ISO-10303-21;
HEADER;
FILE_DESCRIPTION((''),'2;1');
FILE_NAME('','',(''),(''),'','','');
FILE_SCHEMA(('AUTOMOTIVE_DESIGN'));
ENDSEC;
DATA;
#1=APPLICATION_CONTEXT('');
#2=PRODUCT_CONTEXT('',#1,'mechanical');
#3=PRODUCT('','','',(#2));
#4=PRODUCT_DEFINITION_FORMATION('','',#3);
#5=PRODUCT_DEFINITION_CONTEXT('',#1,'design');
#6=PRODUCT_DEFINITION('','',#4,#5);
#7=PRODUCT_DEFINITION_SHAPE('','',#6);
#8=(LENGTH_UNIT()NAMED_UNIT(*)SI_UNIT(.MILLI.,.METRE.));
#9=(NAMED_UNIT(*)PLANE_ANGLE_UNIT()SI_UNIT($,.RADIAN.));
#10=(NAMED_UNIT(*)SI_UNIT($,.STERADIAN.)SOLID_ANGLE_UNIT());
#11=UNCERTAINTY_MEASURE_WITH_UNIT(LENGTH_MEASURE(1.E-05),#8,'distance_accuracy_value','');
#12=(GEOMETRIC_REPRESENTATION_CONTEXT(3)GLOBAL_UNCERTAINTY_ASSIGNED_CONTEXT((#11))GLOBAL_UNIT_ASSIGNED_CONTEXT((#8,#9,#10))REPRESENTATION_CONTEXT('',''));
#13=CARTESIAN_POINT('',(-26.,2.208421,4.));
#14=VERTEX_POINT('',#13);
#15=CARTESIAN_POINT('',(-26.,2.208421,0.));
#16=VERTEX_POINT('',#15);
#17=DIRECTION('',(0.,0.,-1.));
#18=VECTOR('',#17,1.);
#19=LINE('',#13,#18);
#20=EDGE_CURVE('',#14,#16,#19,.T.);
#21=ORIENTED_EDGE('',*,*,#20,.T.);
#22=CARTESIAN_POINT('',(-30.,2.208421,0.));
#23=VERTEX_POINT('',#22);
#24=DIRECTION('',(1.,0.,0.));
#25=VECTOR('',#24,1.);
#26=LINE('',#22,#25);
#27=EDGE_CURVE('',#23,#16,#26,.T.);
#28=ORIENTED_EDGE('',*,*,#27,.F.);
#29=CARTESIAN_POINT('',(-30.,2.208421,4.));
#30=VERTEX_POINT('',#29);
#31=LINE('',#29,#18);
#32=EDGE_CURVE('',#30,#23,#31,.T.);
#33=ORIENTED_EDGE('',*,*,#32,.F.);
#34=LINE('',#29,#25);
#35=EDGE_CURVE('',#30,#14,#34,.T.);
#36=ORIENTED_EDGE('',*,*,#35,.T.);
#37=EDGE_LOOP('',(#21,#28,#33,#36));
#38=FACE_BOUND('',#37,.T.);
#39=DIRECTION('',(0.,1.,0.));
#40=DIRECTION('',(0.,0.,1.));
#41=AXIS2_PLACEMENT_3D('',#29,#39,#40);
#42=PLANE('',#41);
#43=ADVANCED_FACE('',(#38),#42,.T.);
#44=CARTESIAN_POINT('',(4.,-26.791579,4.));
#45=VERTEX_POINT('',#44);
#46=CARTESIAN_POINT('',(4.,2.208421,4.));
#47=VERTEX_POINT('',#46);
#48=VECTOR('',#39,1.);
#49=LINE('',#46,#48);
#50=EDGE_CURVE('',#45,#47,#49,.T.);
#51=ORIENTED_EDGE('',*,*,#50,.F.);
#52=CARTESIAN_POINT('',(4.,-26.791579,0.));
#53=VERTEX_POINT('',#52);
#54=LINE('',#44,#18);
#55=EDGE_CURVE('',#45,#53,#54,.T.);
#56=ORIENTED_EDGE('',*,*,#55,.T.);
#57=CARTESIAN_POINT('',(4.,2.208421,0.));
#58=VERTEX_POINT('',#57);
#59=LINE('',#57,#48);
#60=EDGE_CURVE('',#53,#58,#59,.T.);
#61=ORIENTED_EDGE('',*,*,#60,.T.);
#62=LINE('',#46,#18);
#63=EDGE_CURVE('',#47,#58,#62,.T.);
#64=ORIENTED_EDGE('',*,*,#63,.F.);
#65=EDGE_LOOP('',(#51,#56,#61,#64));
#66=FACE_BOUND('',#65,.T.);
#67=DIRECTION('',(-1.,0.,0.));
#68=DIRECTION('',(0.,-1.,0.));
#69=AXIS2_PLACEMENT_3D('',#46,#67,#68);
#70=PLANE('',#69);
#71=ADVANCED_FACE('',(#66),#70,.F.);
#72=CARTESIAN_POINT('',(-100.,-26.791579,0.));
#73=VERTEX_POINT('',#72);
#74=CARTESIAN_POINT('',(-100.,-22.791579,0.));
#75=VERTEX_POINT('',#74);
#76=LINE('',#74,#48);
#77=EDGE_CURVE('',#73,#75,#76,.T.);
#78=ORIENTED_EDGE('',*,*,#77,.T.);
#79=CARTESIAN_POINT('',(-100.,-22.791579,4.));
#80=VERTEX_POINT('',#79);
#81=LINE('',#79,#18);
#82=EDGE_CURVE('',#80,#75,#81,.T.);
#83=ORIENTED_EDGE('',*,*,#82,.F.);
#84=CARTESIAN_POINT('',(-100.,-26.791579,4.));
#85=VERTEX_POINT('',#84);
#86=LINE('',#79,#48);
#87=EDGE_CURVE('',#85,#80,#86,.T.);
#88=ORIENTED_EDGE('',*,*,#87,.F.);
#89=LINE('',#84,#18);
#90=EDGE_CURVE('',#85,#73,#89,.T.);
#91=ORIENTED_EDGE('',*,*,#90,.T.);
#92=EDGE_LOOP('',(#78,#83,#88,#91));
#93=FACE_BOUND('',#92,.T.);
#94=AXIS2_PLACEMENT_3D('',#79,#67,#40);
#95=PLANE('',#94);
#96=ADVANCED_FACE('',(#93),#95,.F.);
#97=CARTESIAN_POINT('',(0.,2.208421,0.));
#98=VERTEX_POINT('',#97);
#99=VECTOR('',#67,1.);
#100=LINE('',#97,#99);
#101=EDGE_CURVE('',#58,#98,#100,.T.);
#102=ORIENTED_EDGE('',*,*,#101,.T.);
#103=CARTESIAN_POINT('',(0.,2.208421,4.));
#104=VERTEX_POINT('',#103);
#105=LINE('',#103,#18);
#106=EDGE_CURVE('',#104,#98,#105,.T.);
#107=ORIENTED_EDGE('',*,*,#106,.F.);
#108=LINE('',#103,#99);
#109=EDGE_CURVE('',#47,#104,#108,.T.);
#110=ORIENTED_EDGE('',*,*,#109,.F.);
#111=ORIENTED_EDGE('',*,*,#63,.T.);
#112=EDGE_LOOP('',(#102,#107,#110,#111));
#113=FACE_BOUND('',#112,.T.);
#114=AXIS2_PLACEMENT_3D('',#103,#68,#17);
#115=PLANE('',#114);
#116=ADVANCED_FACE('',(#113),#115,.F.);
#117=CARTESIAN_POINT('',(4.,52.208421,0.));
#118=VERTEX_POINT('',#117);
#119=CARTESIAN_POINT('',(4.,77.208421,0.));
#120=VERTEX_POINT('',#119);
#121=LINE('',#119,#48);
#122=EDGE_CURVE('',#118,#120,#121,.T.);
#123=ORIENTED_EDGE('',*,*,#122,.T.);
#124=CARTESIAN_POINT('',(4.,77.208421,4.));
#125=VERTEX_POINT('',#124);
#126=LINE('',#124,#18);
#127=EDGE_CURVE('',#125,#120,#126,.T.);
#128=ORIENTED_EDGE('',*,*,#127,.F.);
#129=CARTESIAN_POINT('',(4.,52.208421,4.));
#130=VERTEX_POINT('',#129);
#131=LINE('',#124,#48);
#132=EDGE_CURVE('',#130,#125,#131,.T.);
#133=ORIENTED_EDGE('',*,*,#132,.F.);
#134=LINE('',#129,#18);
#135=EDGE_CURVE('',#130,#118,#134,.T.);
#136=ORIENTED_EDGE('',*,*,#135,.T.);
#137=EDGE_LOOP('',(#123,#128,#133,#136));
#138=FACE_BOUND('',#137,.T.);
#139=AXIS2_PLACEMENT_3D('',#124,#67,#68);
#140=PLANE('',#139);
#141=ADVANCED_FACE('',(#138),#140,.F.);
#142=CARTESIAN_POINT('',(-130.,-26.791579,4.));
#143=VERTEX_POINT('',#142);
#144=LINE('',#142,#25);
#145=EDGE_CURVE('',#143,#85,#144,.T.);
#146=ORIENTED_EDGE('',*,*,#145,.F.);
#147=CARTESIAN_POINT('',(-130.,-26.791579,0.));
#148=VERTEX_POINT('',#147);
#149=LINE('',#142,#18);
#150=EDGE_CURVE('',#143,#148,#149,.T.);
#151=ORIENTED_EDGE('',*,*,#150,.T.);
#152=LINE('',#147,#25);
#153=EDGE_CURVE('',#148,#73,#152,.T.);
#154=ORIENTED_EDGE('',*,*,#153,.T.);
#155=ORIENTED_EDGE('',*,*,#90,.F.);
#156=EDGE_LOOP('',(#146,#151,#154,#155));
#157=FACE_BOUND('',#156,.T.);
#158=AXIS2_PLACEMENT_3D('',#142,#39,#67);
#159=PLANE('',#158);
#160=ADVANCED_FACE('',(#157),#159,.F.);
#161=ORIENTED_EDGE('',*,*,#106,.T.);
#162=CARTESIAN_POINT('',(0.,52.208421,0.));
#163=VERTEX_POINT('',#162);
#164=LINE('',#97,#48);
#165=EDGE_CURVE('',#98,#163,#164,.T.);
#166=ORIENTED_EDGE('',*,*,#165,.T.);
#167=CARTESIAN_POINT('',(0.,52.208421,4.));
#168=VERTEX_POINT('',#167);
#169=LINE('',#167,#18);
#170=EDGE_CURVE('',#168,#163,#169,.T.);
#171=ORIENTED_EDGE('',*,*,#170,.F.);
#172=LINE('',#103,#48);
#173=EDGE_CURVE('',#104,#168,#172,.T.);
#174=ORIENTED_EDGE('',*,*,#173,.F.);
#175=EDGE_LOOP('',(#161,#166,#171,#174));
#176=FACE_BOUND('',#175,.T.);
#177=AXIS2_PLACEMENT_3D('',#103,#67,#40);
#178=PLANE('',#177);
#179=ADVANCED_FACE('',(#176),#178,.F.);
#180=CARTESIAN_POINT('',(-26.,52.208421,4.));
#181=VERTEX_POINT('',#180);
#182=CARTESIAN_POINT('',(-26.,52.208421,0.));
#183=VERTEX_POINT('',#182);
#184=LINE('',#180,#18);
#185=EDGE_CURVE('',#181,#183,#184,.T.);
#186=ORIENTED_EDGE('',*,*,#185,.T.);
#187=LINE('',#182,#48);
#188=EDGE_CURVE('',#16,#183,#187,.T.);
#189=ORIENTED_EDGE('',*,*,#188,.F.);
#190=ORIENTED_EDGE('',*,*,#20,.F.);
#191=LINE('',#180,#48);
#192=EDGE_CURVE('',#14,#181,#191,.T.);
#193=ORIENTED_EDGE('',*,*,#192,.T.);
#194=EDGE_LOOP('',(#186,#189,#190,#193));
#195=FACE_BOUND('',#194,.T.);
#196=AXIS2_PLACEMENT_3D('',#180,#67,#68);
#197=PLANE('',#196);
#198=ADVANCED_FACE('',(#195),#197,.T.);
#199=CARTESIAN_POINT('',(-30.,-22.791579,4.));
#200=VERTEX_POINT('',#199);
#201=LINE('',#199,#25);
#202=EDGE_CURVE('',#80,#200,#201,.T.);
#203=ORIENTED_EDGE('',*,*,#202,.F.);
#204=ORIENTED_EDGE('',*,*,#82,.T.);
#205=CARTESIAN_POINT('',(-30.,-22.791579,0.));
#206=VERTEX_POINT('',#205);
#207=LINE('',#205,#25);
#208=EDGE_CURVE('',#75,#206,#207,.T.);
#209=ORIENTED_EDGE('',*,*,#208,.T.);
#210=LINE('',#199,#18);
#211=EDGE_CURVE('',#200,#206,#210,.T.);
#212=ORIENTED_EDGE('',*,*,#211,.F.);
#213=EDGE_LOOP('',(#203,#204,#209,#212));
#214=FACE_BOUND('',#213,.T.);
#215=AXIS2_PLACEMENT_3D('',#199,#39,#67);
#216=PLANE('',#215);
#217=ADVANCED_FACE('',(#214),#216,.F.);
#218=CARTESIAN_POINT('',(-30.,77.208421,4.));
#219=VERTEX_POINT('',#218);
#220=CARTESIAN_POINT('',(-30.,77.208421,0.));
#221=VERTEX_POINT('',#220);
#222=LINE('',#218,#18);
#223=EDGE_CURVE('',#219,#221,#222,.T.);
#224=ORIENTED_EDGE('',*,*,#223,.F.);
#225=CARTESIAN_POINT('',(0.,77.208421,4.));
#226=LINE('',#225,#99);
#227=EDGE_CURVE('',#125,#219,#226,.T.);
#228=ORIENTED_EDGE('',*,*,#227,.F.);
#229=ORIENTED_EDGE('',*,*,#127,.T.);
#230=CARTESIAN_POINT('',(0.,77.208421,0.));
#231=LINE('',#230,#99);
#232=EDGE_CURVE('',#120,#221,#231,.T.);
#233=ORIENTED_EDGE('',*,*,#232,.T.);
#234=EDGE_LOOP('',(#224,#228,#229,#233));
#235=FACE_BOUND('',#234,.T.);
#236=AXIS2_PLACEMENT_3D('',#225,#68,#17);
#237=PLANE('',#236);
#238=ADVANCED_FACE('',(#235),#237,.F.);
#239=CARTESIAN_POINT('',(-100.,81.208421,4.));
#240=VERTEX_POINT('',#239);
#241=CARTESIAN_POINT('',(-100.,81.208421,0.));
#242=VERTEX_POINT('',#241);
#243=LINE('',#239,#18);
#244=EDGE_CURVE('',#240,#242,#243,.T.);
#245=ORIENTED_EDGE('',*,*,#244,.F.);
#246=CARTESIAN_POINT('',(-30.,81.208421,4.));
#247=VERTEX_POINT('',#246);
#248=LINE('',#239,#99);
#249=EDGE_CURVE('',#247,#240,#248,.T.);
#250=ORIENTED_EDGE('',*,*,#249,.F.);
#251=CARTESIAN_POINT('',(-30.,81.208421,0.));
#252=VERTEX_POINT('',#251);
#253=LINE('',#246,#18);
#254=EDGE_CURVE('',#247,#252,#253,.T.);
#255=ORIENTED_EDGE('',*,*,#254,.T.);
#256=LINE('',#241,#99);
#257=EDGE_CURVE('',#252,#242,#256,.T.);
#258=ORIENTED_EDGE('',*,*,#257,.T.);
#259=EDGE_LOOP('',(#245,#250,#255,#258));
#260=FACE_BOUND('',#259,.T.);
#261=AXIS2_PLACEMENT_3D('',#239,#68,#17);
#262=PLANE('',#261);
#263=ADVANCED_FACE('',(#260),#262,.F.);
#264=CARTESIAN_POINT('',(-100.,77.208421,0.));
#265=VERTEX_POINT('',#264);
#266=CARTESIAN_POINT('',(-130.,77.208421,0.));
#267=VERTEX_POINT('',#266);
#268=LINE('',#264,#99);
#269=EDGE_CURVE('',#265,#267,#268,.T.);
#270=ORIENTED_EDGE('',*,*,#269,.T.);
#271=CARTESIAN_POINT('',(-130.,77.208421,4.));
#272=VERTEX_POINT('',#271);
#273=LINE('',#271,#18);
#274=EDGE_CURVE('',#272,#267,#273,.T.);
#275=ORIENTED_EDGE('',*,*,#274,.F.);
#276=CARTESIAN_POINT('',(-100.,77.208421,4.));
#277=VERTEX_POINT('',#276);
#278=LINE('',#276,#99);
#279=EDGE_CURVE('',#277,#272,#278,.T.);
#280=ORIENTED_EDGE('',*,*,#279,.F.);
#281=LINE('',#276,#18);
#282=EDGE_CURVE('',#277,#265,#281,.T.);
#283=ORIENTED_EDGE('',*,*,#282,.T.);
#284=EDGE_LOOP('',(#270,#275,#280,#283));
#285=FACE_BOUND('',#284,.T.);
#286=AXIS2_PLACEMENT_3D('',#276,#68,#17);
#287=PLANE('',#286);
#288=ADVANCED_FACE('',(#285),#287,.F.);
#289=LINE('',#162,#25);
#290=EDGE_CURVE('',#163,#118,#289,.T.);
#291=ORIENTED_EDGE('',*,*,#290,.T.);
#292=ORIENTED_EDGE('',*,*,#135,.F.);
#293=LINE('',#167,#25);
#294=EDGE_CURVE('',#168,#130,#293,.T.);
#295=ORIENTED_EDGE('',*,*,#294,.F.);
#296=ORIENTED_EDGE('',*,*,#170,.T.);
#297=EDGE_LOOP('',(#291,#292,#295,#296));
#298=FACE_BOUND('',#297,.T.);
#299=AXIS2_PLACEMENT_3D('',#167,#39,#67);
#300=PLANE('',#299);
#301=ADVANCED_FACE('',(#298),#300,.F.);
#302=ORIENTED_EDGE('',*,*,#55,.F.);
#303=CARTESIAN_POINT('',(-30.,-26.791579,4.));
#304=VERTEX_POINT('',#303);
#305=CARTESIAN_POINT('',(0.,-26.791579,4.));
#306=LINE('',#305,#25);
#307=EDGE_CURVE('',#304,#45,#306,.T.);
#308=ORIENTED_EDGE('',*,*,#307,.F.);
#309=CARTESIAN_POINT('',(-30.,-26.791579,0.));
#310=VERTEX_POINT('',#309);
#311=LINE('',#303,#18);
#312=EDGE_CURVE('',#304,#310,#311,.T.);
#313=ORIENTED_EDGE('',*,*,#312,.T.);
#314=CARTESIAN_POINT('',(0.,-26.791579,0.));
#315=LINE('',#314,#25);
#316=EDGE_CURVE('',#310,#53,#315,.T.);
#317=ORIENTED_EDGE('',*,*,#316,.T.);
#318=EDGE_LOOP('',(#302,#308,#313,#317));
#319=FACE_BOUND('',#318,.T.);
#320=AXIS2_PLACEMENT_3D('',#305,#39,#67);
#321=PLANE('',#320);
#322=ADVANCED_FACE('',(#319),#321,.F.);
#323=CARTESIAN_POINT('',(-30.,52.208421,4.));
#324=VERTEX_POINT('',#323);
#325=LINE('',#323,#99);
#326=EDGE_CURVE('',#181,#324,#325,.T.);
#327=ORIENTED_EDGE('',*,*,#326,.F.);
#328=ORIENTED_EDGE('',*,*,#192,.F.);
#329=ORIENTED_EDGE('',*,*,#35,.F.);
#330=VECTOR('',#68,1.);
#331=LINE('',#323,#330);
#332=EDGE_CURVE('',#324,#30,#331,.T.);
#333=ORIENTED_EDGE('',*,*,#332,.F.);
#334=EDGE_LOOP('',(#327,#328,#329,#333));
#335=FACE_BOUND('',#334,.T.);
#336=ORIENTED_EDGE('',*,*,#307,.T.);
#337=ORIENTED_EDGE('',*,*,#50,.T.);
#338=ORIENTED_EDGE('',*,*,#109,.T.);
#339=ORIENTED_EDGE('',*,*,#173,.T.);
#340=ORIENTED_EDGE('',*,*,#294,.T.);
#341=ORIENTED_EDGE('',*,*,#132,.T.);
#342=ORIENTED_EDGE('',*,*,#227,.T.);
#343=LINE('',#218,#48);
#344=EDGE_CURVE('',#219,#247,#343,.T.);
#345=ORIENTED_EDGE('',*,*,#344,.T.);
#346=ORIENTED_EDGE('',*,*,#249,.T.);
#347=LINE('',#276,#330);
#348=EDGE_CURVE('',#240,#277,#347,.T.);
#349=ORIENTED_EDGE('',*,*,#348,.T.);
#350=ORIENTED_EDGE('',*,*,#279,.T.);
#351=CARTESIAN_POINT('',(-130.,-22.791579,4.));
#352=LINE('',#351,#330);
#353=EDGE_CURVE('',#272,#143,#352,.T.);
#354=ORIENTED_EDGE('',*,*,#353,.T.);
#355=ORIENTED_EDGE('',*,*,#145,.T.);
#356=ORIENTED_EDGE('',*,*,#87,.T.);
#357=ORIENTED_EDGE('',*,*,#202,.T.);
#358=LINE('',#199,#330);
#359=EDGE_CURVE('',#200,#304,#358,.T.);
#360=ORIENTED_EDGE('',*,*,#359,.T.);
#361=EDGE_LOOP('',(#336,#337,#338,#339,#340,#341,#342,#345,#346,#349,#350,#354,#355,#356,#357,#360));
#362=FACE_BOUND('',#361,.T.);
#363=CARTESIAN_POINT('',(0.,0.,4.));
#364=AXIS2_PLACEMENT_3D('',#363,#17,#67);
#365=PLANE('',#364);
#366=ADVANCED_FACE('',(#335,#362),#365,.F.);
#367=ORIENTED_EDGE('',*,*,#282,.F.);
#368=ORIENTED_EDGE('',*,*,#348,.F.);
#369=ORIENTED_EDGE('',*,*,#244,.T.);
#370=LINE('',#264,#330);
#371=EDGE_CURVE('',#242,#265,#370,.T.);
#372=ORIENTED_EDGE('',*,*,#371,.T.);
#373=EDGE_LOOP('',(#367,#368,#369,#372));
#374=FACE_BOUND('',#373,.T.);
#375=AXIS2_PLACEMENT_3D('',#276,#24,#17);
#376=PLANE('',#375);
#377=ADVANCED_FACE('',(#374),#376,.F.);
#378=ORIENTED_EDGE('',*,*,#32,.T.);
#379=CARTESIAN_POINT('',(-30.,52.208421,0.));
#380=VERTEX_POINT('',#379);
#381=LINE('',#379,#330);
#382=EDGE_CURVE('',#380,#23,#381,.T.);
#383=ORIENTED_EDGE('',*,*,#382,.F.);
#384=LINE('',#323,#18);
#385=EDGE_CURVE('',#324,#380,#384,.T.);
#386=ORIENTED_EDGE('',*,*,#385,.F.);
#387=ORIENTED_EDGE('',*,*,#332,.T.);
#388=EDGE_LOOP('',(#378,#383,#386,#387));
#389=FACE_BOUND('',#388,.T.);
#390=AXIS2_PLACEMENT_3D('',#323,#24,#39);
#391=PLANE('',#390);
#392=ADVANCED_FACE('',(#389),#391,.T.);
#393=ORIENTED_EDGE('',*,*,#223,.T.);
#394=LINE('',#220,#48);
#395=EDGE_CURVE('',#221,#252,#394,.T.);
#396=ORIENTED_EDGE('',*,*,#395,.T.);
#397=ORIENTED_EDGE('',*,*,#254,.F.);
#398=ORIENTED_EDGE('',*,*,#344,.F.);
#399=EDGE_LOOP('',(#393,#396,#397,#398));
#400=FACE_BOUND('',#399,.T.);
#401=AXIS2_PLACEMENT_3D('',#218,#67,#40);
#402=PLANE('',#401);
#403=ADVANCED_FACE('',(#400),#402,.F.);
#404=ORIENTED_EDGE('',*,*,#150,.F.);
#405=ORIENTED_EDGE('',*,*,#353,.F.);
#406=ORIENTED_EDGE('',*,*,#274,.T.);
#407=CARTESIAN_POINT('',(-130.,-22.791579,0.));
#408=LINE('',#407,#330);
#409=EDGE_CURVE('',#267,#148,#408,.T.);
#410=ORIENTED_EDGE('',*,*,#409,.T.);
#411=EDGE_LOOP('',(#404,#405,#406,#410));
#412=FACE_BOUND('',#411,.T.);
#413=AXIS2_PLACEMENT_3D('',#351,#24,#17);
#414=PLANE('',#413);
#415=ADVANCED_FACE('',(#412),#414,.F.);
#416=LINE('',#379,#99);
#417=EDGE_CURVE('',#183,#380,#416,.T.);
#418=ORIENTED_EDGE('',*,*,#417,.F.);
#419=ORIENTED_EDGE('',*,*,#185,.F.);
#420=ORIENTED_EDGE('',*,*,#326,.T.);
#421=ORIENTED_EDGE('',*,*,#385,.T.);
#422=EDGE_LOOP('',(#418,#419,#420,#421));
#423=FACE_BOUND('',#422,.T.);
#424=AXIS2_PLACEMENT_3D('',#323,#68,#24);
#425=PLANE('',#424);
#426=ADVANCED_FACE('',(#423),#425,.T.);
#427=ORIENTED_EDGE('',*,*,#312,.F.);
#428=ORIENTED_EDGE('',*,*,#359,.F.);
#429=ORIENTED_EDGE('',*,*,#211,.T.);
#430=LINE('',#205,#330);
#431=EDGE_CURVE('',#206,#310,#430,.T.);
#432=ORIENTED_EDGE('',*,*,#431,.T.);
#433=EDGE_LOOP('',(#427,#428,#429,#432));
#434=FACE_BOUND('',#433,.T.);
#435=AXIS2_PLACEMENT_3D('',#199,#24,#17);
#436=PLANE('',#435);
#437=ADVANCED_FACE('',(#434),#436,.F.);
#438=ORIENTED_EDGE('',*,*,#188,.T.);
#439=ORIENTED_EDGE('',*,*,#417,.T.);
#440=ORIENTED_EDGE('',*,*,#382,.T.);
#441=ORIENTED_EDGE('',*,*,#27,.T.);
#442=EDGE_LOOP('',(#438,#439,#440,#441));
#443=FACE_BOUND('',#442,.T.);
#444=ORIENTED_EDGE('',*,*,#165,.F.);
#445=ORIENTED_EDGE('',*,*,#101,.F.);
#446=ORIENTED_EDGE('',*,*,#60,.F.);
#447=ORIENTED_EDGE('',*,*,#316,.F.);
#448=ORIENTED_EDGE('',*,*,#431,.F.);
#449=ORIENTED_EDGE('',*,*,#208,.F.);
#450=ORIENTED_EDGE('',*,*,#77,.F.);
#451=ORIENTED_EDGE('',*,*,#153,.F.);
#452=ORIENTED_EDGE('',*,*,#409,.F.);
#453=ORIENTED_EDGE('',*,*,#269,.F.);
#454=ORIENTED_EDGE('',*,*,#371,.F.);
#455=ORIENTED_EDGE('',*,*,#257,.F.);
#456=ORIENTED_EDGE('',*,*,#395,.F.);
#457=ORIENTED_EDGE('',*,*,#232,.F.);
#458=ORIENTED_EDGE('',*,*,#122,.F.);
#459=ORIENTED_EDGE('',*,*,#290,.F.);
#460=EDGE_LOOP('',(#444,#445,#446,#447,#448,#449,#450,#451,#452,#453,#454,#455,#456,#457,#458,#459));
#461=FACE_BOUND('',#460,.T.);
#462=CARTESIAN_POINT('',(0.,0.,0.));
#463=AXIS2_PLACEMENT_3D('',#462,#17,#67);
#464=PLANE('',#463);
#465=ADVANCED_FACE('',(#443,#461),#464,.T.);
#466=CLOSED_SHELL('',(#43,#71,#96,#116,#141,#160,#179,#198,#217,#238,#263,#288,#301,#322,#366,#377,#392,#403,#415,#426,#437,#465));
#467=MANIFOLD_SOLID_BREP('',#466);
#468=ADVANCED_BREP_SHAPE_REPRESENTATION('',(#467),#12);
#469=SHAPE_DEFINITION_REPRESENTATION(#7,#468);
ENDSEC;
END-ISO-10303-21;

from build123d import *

# Parameters (mm, degrees)
SKETCH_1_W      = 4
SKETCH_1_H      = 50
EXTRUDE_1_DEPTH = 4


with BuildPart() as part:
    # Эскиз1 → Бобышка-Вытянуть1 (new body)
    with BuildSketch(Plane.XY):
        Polygon((-100, 77.20842051), (-130, 77.20842051), (-130, -22.79157949), (-130, -26.79157949), (-100, -26.79157949), (-100, -22.79157949), (-30, -22.79157949), (-30, -26.79157949), (0, -26.79157949), (4, -26.79157949), (4, 2.20842051), (0, 2.20842051), (0, 52.20842051), (4, 52.20842051), (4, 77.20842051), (0, 77.20842051), (-30, 77.20842051), (-30, 81.20842051), (-100, 81.20842051), align=None)
        with Locations((-28, 27.20842051)):
            Rectangle(SKETCH_1_W, SKETCH_1_H, mode=Mode.SUBTRACT)
    extrude(amount=EXTRUDE_1_DEPTH)


solid = part.part
